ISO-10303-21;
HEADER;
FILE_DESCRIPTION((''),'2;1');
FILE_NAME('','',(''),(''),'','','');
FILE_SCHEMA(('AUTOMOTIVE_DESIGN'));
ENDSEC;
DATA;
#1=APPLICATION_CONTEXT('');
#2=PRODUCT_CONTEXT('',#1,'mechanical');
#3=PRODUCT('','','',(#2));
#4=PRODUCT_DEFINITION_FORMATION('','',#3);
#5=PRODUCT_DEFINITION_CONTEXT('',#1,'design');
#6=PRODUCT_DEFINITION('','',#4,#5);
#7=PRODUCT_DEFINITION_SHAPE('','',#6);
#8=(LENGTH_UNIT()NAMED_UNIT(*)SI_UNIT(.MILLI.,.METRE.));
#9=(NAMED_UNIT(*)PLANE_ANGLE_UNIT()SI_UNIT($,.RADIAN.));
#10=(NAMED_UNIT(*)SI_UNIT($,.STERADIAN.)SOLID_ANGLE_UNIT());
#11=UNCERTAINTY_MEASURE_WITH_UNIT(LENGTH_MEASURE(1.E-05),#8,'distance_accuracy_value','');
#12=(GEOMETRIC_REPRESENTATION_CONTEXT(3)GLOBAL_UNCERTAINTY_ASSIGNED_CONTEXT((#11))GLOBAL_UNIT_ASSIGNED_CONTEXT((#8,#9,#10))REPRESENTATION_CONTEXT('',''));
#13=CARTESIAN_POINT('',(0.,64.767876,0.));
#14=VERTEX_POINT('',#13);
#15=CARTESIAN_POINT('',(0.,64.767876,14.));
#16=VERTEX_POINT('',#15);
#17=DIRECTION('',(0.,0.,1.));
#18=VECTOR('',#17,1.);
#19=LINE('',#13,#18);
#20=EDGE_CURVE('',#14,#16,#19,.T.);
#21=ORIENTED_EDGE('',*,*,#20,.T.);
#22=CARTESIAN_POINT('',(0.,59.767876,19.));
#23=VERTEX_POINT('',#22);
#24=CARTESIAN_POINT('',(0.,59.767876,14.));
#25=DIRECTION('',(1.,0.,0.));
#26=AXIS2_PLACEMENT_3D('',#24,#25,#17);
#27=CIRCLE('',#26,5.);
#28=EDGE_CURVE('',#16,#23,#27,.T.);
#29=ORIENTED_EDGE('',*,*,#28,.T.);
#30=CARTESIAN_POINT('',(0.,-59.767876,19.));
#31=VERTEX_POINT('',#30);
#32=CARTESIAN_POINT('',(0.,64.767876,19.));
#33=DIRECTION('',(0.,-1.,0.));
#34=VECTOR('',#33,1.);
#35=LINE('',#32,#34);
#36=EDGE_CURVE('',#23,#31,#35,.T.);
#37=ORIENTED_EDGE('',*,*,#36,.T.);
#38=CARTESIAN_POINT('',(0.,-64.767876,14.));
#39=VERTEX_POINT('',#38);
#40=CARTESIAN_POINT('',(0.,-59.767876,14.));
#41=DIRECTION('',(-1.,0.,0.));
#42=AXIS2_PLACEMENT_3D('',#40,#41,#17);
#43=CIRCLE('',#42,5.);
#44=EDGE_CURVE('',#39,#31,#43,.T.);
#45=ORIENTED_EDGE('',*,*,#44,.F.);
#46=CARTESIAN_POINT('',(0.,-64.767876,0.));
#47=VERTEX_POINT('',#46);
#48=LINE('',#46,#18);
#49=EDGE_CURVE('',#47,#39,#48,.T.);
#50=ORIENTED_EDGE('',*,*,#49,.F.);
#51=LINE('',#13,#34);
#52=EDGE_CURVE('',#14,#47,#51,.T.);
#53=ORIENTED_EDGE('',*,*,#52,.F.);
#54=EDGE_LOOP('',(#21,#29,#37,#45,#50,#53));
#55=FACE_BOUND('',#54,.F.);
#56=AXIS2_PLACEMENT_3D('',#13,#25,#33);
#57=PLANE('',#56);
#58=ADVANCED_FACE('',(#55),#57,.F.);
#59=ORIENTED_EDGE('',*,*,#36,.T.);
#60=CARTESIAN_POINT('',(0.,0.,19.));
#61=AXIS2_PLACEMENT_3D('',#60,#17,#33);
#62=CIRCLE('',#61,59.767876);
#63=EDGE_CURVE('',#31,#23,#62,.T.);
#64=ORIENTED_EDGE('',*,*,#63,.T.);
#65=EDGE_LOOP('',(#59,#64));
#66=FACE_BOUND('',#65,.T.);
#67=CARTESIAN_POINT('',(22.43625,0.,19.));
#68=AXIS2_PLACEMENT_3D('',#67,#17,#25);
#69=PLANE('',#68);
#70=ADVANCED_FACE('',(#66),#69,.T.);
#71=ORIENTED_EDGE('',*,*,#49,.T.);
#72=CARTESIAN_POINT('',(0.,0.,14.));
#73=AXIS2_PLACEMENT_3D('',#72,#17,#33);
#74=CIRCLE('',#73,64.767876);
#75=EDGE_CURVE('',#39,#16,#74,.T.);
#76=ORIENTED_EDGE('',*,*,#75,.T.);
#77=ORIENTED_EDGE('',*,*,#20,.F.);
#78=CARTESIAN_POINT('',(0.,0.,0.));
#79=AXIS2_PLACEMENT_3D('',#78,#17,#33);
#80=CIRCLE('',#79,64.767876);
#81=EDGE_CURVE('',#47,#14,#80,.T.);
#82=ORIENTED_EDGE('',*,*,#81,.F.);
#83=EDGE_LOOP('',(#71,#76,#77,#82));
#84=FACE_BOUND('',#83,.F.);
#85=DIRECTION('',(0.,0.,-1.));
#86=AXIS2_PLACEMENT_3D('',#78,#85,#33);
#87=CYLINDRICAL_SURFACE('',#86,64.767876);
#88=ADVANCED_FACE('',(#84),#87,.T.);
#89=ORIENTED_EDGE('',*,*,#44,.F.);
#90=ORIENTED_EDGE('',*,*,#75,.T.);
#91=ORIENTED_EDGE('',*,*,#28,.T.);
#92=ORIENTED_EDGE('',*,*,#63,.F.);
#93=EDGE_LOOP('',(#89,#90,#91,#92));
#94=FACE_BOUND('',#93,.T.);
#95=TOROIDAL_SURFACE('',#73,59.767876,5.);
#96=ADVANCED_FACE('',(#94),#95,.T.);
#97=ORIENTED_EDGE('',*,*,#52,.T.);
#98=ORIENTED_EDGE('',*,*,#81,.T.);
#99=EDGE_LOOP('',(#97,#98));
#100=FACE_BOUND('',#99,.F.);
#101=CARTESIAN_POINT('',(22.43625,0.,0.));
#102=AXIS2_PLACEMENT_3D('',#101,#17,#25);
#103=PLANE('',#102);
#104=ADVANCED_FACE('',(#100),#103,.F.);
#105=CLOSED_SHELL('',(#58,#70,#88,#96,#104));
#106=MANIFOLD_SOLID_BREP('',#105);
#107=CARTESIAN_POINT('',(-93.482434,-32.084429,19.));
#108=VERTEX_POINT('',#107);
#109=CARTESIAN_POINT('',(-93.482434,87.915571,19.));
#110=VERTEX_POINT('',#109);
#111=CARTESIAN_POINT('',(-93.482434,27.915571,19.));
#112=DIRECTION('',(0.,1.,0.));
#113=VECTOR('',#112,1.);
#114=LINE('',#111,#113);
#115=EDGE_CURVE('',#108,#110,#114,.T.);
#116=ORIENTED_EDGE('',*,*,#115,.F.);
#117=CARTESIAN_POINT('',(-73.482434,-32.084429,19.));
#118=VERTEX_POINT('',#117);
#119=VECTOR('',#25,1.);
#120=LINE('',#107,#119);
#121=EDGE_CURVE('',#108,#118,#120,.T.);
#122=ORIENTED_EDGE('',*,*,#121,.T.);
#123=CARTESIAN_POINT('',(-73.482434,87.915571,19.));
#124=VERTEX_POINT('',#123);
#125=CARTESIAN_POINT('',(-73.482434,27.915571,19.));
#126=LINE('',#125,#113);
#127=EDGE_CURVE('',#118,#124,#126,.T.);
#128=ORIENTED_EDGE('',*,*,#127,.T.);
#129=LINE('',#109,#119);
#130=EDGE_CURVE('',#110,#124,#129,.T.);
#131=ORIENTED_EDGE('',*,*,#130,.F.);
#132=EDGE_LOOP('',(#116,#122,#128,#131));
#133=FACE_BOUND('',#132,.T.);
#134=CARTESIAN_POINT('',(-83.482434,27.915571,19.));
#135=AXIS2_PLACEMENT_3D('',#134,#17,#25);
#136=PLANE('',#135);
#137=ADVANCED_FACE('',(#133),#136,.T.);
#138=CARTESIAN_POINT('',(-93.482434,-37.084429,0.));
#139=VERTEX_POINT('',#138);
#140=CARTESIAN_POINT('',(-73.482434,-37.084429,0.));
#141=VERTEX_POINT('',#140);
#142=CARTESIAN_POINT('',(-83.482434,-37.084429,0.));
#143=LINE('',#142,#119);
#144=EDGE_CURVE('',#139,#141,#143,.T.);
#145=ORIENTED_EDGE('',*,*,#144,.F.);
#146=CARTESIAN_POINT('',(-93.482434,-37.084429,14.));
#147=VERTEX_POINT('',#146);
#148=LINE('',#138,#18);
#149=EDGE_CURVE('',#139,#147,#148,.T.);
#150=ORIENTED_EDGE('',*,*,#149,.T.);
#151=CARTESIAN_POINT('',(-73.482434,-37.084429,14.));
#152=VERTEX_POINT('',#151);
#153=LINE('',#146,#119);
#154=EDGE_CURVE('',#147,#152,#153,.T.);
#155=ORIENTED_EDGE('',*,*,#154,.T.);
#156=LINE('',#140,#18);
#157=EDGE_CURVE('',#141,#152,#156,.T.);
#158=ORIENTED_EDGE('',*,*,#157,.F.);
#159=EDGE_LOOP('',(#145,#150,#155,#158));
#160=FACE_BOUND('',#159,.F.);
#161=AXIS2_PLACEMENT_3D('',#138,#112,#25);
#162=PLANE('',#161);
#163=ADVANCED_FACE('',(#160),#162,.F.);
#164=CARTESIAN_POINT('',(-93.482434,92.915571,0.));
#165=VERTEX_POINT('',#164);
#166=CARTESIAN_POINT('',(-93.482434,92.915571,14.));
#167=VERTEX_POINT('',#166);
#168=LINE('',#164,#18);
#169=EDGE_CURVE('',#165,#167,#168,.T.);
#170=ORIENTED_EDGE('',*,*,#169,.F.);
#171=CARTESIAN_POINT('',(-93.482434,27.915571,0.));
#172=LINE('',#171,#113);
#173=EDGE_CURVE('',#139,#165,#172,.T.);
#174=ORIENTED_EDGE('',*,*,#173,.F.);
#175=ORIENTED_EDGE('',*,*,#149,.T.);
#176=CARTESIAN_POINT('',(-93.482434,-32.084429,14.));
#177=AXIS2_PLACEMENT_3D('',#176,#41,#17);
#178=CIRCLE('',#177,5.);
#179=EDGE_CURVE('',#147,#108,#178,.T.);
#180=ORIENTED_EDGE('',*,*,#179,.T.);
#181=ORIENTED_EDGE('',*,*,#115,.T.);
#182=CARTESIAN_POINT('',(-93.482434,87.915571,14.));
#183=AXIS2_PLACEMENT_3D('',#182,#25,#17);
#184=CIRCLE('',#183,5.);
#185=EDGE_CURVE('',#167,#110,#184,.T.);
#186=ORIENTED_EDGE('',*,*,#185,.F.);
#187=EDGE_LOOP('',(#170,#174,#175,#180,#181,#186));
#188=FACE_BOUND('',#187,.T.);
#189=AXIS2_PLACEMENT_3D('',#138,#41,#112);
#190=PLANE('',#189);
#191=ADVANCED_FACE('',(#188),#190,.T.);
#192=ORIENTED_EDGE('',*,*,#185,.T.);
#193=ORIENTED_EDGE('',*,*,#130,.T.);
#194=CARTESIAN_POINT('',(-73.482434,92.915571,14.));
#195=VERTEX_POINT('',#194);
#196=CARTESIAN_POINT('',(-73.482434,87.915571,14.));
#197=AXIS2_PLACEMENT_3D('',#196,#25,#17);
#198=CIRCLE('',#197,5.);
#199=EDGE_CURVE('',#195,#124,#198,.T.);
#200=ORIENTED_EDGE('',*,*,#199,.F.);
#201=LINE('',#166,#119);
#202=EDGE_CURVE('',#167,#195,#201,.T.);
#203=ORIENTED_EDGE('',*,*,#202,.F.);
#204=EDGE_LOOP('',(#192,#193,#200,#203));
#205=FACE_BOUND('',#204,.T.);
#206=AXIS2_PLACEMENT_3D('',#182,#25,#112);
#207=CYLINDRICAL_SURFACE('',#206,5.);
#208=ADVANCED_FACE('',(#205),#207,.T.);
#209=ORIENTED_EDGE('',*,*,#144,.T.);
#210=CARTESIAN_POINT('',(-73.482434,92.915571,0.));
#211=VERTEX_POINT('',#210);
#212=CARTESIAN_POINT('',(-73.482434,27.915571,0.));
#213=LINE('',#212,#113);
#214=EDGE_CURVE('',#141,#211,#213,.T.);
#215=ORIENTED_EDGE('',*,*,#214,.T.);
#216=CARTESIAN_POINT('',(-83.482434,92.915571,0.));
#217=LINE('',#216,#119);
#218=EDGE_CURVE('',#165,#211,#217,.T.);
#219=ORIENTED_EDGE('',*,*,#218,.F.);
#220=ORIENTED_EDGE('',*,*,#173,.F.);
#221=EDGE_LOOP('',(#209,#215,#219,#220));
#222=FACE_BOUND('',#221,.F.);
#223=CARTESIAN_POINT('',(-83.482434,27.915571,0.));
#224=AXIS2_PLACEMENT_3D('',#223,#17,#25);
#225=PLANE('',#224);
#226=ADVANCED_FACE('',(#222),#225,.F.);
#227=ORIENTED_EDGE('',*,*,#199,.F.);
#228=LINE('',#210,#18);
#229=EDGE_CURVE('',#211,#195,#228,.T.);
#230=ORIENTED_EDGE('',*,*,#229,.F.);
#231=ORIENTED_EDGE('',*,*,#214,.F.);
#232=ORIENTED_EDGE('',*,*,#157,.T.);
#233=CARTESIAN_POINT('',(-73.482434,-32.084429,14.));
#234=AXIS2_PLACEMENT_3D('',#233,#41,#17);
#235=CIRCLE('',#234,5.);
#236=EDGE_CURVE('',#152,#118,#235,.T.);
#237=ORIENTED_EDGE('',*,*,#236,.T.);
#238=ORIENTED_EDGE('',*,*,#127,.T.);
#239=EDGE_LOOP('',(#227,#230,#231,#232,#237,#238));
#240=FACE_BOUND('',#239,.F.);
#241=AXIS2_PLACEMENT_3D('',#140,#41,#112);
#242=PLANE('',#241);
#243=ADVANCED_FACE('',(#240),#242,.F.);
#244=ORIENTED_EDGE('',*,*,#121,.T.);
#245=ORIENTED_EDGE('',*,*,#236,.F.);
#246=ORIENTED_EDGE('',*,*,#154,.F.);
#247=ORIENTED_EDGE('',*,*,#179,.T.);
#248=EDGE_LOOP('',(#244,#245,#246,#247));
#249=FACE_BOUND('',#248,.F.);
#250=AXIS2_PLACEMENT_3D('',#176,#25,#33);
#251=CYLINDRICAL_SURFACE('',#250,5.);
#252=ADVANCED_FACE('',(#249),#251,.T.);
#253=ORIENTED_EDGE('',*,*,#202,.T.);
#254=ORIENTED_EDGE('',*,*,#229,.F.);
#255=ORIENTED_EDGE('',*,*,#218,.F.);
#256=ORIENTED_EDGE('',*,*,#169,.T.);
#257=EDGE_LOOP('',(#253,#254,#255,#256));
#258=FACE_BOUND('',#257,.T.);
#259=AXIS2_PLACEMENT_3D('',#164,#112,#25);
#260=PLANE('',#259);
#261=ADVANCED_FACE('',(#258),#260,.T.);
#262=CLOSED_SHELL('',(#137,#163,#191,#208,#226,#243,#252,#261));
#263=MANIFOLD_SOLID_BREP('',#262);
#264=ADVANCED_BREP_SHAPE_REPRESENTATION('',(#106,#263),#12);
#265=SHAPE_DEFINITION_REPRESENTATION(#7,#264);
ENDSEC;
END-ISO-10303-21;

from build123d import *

# Parameters (mm, degrees)
F1_DEPTH = 19
F2_R     = 5
F3_W     = 20
F3_H     = 130
F4_DEPTH = 19
F5_R     = 5


with BuildPart() as f1:
    # F0 (on Top) → F1 (new body)
    with BuildSketch(Plane.XY):
        with BuildLine():
            Line((0, 64.767876), (0, -64.767876))
            ThreePointArc((0, -64.767876), (64.767876, 0), (0, 64.767876))
        make_face()
    extrude(amount=F1_DEPTH)

    # F2
    f2_edges = [f1.edges().sort_by_distance(p)[0] for p in [
        (64.767876, 0, 19),
    ]]
    fillet(f2_edges, radius=F2_R)


with BuildPart() as f4:
    # F3 (on Top) → F4 (new body)
    with BuildSketch(Plane.XY):
        with Locations((-83.482434, 27.915571)):
            Rectangle(F3_W, F3_H)
    extrude(amount=F4_DEPTH)

    # F5
    f5_edges = [f4.edges().sort_by_distance(p)[0] for p in [
        (-83.482434, -37.084429, 19),
        (-83.482434, 92.915571, 19),
    ]]
    fillet(f5_edges, radius=F5_R)


solid = Compound([f1.part, f4.part])
